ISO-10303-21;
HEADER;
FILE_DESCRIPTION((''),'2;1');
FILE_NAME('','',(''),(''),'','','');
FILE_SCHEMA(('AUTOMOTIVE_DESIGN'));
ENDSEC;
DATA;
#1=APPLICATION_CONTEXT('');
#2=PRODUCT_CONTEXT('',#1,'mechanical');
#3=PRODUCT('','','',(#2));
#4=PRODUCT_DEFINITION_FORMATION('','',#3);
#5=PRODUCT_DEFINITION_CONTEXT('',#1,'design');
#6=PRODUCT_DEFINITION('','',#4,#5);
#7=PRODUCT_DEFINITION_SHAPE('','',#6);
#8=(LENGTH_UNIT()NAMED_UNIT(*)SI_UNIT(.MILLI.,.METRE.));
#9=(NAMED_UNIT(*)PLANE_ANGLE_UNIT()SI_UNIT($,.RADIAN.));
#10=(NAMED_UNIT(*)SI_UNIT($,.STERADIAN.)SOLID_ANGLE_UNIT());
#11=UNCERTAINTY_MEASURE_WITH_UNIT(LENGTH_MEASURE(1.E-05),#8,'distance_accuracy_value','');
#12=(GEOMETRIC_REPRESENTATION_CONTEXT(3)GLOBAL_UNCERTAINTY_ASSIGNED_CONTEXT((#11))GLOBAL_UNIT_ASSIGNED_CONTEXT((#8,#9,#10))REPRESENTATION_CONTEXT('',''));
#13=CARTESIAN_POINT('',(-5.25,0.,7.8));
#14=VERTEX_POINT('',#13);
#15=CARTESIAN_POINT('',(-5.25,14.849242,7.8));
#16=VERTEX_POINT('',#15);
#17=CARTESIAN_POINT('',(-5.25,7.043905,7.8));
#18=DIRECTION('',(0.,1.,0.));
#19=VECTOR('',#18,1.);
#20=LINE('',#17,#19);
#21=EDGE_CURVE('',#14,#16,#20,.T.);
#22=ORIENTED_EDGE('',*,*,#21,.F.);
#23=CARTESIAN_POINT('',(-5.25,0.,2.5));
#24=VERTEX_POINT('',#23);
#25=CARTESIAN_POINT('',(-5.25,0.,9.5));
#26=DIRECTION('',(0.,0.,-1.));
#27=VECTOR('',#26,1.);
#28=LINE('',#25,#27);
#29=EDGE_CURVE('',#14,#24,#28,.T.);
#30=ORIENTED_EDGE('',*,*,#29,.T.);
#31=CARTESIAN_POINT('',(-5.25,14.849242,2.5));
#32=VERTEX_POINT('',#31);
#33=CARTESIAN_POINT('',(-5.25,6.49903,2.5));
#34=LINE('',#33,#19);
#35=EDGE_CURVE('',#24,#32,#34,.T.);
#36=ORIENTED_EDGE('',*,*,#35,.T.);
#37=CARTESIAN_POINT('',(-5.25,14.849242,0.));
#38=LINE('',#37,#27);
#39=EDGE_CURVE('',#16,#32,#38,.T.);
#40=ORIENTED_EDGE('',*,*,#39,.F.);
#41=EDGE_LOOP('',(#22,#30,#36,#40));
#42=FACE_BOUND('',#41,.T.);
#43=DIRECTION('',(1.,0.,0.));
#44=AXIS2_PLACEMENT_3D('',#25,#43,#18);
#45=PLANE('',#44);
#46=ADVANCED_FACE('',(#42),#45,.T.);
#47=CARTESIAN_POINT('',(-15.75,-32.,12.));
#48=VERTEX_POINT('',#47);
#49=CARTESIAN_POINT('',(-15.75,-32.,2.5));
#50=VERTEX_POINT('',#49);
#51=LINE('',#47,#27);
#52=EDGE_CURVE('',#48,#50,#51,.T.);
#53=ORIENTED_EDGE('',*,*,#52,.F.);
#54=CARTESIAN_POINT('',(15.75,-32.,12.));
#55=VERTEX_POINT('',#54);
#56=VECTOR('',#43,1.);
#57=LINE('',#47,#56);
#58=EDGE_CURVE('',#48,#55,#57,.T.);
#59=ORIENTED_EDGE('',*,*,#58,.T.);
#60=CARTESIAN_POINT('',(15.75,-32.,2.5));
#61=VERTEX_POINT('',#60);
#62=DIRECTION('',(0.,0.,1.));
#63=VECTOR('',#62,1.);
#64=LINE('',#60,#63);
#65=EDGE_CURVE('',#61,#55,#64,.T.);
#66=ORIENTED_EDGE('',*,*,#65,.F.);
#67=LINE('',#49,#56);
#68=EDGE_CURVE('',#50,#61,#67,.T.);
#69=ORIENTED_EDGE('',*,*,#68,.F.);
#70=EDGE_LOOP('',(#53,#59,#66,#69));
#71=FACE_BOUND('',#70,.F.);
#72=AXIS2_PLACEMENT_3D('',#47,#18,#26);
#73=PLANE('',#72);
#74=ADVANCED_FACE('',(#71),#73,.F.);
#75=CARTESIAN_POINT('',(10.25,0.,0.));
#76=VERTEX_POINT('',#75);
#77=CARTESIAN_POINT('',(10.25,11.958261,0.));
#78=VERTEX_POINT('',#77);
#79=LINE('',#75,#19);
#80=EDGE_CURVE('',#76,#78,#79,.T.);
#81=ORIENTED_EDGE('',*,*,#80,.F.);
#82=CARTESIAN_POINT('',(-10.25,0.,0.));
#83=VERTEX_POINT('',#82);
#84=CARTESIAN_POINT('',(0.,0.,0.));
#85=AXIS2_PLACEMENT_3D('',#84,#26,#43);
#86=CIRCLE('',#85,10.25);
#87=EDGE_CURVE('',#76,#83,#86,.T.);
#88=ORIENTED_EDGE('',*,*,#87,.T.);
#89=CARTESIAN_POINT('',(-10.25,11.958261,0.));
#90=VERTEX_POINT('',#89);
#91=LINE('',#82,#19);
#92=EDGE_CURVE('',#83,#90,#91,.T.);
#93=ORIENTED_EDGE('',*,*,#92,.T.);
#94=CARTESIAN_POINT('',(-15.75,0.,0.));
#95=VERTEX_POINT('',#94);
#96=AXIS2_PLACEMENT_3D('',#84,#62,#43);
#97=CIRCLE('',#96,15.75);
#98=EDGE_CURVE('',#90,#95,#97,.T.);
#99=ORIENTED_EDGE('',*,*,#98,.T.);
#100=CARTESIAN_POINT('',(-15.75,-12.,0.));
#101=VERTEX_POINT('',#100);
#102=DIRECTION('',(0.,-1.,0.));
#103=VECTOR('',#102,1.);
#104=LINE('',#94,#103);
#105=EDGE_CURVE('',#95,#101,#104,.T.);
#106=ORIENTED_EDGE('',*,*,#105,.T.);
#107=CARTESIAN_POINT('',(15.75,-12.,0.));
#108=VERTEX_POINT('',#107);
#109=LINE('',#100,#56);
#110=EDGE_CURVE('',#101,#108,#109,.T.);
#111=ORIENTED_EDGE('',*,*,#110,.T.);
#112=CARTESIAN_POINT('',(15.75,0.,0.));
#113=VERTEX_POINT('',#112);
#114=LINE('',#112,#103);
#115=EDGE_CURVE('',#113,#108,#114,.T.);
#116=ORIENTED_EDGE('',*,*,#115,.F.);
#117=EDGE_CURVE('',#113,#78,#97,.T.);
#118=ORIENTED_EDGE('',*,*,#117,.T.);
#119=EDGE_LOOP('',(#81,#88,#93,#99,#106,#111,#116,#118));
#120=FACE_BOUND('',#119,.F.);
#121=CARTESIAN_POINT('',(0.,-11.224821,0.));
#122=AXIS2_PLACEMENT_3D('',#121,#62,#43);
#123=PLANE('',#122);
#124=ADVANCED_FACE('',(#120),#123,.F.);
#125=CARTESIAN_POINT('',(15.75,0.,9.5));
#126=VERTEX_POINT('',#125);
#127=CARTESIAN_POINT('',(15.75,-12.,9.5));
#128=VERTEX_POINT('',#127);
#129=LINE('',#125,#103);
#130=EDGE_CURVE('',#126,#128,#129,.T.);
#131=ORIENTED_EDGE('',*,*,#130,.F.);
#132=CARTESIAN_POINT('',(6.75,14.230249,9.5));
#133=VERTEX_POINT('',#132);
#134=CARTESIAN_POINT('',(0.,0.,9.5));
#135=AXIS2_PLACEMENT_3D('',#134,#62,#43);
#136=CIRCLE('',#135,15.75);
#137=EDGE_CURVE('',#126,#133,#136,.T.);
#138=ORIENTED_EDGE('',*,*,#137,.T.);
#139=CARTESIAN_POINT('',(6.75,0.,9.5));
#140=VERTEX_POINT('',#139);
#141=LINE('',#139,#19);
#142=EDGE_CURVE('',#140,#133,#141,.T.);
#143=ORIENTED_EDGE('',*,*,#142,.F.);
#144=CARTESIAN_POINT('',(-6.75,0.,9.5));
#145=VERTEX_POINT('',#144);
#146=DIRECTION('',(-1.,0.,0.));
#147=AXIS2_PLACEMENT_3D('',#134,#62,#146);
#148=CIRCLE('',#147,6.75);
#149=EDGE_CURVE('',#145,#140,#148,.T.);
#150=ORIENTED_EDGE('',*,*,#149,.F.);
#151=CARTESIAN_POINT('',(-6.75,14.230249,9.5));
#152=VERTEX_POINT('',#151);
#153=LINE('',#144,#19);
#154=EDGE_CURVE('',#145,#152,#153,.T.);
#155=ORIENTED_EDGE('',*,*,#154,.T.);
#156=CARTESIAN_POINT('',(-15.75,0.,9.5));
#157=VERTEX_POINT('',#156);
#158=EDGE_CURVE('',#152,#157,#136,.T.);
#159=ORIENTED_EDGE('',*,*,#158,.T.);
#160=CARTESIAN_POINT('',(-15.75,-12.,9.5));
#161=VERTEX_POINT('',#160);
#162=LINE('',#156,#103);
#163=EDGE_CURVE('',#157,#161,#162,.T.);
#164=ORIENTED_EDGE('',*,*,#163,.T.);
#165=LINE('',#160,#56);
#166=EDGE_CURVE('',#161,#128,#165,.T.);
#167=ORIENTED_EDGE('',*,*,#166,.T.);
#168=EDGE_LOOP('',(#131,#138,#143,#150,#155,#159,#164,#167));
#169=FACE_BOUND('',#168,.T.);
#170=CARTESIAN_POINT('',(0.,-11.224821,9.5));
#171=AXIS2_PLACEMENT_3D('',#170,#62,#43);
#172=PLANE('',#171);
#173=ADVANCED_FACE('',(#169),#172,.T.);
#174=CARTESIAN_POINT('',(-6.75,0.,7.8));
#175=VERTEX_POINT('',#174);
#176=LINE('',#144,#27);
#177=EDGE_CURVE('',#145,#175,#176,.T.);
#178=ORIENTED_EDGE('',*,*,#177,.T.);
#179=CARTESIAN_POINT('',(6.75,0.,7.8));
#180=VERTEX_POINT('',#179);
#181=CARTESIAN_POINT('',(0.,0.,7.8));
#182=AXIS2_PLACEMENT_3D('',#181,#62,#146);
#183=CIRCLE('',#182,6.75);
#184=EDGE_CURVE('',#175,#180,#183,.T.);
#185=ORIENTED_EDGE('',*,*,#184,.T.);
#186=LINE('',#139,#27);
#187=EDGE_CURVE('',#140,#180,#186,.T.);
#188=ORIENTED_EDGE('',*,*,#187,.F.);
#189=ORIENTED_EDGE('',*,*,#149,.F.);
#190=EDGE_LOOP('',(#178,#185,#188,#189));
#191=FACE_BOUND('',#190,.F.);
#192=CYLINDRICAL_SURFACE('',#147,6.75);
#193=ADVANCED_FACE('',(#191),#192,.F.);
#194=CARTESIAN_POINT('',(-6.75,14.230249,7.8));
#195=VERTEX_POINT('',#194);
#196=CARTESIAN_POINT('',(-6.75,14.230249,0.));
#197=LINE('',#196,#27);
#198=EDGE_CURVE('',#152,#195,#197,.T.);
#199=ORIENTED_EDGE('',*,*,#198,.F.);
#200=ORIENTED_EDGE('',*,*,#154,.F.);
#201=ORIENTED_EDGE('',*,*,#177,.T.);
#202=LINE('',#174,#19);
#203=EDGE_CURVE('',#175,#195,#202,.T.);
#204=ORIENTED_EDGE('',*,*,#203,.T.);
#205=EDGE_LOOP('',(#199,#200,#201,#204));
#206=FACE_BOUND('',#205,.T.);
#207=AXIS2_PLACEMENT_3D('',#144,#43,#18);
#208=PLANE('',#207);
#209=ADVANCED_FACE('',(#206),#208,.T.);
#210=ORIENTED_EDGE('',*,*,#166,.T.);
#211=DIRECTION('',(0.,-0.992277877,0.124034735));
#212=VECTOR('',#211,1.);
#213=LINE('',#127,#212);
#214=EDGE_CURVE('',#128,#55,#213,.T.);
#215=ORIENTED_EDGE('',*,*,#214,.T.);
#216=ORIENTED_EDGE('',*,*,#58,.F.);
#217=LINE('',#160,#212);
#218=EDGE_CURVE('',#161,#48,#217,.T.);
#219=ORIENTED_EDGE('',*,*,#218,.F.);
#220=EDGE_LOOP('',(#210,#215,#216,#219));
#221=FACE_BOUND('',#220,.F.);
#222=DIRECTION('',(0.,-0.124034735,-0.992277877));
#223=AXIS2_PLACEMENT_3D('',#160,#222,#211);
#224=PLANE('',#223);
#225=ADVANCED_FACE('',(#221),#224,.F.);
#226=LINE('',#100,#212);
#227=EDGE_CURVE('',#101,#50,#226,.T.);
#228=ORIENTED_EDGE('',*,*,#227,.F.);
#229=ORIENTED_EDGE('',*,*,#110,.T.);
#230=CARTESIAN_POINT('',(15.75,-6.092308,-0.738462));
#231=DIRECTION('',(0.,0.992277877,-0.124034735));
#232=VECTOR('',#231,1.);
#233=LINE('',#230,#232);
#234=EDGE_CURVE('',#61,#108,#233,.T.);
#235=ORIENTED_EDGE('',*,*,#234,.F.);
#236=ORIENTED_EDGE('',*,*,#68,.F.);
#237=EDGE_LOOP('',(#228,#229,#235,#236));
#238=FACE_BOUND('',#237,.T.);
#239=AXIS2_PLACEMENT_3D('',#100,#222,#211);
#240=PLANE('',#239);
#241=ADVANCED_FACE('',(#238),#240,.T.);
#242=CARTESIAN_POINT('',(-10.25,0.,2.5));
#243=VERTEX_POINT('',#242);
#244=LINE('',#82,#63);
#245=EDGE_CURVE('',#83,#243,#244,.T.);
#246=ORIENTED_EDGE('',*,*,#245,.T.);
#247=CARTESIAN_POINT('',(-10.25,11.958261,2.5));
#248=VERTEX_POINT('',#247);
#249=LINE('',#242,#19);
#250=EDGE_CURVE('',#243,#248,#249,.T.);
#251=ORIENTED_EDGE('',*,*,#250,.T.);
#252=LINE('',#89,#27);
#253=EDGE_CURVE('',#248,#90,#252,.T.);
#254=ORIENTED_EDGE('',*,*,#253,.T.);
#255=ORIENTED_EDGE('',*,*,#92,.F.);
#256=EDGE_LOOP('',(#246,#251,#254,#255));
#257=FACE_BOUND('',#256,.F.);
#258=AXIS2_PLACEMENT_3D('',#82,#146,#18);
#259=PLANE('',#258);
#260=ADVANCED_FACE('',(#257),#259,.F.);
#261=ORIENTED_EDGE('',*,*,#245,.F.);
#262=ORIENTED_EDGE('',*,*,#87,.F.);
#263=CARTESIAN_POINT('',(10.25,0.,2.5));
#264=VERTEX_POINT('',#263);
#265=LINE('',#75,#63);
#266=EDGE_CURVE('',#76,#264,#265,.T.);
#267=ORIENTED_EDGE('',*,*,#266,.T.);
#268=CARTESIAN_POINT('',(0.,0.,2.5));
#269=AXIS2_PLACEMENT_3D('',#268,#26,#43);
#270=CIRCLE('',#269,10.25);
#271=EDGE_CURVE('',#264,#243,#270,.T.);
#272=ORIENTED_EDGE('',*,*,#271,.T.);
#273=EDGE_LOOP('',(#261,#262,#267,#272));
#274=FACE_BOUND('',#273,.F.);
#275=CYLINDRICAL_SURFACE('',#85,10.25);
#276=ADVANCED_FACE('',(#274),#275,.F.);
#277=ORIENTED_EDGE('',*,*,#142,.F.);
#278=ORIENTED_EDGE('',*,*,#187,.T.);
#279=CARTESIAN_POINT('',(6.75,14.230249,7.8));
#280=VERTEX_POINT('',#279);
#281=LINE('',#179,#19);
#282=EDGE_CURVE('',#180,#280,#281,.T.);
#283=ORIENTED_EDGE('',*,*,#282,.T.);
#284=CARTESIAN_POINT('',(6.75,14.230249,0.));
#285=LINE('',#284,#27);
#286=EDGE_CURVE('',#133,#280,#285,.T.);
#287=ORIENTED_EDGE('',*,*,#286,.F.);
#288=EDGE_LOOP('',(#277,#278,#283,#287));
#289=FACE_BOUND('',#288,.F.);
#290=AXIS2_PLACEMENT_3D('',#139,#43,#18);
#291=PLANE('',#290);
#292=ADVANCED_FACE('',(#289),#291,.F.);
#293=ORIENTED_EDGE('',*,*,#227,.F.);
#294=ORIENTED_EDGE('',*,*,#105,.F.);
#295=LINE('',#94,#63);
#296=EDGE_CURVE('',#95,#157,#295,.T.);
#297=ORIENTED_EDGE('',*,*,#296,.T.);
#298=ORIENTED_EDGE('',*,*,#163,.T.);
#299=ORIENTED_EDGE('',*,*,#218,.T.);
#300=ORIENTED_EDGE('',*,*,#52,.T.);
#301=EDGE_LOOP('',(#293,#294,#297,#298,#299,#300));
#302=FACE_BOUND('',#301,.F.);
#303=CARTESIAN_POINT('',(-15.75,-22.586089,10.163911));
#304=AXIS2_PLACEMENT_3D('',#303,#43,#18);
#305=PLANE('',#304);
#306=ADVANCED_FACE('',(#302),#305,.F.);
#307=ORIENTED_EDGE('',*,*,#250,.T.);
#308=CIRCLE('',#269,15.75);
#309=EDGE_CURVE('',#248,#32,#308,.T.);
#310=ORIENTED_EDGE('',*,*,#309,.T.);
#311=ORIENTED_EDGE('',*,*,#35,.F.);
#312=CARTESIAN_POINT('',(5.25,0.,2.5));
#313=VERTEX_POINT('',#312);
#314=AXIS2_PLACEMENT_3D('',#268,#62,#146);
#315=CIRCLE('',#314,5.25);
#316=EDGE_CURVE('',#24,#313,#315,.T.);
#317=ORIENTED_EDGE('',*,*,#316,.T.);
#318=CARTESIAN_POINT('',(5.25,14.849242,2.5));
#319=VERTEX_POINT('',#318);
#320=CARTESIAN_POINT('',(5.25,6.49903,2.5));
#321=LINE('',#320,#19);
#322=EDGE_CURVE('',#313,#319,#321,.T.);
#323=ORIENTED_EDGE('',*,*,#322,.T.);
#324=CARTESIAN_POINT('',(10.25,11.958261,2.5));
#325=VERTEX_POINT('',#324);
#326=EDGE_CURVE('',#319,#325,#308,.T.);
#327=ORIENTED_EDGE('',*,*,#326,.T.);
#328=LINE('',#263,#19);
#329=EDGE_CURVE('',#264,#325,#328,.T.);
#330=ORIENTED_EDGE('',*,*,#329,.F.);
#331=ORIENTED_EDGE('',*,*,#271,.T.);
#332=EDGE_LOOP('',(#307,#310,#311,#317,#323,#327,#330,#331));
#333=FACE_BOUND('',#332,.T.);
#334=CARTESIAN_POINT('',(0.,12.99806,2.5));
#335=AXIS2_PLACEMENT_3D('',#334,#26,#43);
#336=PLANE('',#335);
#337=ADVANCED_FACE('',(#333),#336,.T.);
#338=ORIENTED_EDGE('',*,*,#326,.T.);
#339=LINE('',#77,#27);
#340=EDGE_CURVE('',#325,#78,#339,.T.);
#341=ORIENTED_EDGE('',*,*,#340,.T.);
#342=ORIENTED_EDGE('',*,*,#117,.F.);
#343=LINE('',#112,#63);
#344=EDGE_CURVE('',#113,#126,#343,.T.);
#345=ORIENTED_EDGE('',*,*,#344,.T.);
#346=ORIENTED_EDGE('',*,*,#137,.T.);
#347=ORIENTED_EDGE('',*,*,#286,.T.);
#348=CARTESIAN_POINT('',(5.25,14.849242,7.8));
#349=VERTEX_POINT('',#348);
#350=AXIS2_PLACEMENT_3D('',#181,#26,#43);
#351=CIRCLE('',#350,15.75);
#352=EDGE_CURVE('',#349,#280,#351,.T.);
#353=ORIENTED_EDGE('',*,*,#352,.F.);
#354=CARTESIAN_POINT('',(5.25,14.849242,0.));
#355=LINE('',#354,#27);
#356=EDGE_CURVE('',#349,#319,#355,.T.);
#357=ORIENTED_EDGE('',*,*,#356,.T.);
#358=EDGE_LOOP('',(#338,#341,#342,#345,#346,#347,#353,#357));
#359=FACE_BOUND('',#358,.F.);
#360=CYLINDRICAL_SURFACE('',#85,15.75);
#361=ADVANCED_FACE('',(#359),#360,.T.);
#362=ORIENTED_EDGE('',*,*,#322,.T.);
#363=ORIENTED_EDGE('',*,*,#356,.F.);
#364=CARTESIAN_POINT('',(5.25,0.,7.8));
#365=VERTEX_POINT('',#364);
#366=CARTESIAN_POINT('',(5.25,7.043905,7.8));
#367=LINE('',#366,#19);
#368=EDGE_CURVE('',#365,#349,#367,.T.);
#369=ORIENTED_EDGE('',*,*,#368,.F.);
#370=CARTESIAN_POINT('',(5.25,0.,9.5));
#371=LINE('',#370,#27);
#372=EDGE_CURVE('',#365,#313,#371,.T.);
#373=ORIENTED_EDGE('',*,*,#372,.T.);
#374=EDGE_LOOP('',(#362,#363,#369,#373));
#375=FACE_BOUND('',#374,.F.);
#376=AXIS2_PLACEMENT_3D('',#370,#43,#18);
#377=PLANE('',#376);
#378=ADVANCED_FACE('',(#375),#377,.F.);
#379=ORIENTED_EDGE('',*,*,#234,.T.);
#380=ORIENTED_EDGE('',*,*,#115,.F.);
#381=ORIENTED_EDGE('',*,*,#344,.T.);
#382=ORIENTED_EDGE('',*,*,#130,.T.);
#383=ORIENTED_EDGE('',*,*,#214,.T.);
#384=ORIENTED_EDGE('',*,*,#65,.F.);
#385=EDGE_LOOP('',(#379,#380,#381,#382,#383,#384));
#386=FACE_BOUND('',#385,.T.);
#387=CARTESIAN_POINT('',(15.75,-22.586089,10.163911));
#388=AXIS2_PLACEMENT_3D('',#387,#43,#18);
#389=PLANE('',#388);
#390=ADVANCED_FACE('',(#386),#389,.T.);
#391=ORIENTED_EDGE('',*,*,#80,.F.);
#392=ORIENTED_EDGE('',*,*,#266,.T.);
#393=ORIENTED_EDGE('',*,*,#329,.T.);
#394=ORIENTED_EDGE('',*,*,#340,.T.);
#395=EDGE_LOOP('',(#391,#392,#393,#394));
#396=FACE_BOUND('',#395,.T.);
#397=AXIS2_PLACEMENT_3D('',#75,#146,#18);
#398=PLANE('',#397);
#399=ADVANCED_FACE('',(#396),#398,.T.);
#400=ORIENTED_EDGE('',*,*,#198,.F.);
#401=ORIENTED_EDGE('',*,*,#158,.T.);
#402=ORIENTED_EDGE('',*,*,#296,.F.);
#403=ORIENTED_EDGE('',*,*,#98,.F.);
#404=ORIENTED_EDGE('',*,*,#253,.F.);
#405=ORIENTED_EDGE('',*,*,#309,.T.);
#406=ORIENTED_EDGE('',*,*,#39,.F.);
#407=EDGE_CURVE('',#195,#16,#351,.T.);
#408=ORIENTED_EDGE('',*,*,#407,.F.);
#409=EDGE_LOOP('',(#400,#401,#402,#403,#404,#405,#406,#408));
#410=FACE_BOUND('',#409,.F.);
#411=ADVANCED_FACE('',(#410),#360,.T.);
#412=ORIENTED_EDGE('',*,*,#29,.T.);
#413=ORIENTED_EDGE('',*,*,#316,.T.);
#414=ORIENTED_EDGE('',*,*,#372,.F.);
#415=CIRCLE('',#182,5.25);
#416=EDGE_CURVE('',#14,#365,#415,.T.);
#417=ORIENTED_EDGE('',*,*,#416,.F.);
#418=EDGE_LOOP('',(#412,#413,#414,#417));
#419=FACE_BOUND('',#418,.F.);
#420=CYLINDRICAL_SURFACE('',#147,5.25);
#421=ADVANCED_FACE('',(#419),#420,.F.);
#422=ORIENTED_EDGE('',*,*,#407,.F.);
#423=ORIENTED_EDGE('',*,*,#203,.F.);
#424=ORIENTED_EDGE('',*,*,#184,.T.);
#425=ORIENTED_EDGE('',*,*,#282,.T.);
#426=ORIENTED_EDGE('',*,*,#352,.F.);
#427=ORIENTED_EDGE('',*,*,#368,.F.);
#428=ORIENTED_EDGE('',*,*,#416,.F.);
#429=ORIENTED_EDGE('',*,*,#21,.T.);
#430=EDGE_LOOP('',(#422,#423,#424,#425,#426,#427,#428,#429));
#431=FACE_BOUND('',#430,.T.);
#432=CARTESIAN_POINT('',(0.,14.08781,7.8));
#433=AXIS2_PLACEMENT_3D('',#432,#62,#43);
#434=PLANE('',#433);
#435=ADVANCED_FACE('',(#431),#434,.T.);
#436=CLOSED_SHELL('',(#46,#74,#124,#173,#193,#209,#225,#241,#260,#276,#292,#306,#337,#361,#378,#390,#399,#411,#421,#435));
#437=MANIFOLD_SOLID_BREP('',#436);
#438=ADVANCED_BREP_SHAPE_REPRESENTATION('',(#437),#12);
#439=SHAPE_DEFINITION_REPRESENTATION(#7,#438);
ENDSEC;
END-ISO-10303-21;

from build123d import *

# Parameters (mm, degrees)
PAD_DEPTH            = 9.5
POCKET_DEPTH         = 1.7
POCKET001_DEPTH      = 100
POCKET001_DEPTH_BACK = 100
POCKET002_DEPTH      = 2.5
POCKET003_DEPTH      = 100
POCKET003_DEPTH_BACK = 100
PAD001_DEPTH         = 31.5


with BuildPart() as part:
    # Sketch → Pad (new body)
    with BuildSketch(Plane.XY):
        with BuildLine():
            ThreePointArc((15.75, 0), (0, 15.75), (-15.75, 0))
            Line((-15.75, 0), (-15.75, -32))
            Line((-15.75, -32), (15.75, -32))
            Line((15.75, 0), (15.75, -32))
        make_face()
    extrude(amount=PAD_DEPTH)

    # Sketch002 (on Face6 of Pad) → Pocket (cut)
    with BuildSketch(Plane.XY.offset(9.5)):
        with BuildLine():
            ThreePointArc((-6.75, 0), (0, -6.75), (6.75, 0))
            Line((6.75, 0), (6.75, 32))
            Line((-6.75, 32), (6.75, 32))
            Line((-6.75, 0), (-6.75, 32))
        make_face()
    extrude(amount=-POCKET_DEPTH, mode=Mode.SUBTRACT)

    # Sketch001 (on Face6 of Pad) → Pocket001 (cut, two sides)
    with BuildSketch(Plane.XY.offset(9.5)) as pocket001_sk:
        with BuildLine():
            ThreePointArc((-5.25, 0), (0, -5.25), (5.25, 0))
            Line((5.25, 0), (5.25, 32))
            Line((-5.25, 32), (5.25, 32))
            Line((-5.25, 0), (-5.25, 32))
        make_face()
    extrude(amount=-POCKET001_DEPTH, mode=Mode.SUBTRACT)
    extrude(pocket001_sk.sketch, amount=POCKET001_DEPTH_BACK, mode=Mode.SUBTRACT)

    # Sketch003 (on Face2 of Pocket001) → Pocket002 (cut)
    with BuildSketch(Plane(origin=(0, 0, 0), x_dir=(1, 0, 0), z_dir=(0, 0, -1))):
        with BuildLine():
            ThreePointArc((10.25, 0), (0, 10.25), (-10.25, 0))
            Line((-10.25, 0), (-10.25, -32))
            Line((-10.25, -32), (10.25, -32))
            Line((10.25, 0), (10.25, -32))
        make_face()
    extrude(amount=-POCKET002_DEPTH, mode=Mode.SUBTRACT)

    # Sketch004 (on Face11 of Pocket002) → Pocket003 (cut, two sides)
    with BuildSketch(Plane(origin=(-15.75, 0, 0), x_dir=(0, -1, 0), z_dir=(-1, 0, 0))) as pocket003_sk:
        Polygon((12, 0), (32, 2.5), (32, 0), align=None)
    extrude(amount=-POCKET003_DEPTH, mode=Mode.SUBTRACT)
    extrude(pocket003_sk.sketch, amount=POCKET003_DEPTH_BACK, mode=Mode.SUBTRACT)

    # Sketch005 (on Face11 of Pocket003) → Pad001 (join)
    with BuildSketch(Plane(origin=(-15.75, 0, 0), x_dir=(0, -1, 0), z_dir=(-1, 0, 0))):
        Polygon((12, 9.5), (32, 12), (32, 9.5), align=None)
    extrude(amount=-PAD001_DEPTH)


solid = part.part
